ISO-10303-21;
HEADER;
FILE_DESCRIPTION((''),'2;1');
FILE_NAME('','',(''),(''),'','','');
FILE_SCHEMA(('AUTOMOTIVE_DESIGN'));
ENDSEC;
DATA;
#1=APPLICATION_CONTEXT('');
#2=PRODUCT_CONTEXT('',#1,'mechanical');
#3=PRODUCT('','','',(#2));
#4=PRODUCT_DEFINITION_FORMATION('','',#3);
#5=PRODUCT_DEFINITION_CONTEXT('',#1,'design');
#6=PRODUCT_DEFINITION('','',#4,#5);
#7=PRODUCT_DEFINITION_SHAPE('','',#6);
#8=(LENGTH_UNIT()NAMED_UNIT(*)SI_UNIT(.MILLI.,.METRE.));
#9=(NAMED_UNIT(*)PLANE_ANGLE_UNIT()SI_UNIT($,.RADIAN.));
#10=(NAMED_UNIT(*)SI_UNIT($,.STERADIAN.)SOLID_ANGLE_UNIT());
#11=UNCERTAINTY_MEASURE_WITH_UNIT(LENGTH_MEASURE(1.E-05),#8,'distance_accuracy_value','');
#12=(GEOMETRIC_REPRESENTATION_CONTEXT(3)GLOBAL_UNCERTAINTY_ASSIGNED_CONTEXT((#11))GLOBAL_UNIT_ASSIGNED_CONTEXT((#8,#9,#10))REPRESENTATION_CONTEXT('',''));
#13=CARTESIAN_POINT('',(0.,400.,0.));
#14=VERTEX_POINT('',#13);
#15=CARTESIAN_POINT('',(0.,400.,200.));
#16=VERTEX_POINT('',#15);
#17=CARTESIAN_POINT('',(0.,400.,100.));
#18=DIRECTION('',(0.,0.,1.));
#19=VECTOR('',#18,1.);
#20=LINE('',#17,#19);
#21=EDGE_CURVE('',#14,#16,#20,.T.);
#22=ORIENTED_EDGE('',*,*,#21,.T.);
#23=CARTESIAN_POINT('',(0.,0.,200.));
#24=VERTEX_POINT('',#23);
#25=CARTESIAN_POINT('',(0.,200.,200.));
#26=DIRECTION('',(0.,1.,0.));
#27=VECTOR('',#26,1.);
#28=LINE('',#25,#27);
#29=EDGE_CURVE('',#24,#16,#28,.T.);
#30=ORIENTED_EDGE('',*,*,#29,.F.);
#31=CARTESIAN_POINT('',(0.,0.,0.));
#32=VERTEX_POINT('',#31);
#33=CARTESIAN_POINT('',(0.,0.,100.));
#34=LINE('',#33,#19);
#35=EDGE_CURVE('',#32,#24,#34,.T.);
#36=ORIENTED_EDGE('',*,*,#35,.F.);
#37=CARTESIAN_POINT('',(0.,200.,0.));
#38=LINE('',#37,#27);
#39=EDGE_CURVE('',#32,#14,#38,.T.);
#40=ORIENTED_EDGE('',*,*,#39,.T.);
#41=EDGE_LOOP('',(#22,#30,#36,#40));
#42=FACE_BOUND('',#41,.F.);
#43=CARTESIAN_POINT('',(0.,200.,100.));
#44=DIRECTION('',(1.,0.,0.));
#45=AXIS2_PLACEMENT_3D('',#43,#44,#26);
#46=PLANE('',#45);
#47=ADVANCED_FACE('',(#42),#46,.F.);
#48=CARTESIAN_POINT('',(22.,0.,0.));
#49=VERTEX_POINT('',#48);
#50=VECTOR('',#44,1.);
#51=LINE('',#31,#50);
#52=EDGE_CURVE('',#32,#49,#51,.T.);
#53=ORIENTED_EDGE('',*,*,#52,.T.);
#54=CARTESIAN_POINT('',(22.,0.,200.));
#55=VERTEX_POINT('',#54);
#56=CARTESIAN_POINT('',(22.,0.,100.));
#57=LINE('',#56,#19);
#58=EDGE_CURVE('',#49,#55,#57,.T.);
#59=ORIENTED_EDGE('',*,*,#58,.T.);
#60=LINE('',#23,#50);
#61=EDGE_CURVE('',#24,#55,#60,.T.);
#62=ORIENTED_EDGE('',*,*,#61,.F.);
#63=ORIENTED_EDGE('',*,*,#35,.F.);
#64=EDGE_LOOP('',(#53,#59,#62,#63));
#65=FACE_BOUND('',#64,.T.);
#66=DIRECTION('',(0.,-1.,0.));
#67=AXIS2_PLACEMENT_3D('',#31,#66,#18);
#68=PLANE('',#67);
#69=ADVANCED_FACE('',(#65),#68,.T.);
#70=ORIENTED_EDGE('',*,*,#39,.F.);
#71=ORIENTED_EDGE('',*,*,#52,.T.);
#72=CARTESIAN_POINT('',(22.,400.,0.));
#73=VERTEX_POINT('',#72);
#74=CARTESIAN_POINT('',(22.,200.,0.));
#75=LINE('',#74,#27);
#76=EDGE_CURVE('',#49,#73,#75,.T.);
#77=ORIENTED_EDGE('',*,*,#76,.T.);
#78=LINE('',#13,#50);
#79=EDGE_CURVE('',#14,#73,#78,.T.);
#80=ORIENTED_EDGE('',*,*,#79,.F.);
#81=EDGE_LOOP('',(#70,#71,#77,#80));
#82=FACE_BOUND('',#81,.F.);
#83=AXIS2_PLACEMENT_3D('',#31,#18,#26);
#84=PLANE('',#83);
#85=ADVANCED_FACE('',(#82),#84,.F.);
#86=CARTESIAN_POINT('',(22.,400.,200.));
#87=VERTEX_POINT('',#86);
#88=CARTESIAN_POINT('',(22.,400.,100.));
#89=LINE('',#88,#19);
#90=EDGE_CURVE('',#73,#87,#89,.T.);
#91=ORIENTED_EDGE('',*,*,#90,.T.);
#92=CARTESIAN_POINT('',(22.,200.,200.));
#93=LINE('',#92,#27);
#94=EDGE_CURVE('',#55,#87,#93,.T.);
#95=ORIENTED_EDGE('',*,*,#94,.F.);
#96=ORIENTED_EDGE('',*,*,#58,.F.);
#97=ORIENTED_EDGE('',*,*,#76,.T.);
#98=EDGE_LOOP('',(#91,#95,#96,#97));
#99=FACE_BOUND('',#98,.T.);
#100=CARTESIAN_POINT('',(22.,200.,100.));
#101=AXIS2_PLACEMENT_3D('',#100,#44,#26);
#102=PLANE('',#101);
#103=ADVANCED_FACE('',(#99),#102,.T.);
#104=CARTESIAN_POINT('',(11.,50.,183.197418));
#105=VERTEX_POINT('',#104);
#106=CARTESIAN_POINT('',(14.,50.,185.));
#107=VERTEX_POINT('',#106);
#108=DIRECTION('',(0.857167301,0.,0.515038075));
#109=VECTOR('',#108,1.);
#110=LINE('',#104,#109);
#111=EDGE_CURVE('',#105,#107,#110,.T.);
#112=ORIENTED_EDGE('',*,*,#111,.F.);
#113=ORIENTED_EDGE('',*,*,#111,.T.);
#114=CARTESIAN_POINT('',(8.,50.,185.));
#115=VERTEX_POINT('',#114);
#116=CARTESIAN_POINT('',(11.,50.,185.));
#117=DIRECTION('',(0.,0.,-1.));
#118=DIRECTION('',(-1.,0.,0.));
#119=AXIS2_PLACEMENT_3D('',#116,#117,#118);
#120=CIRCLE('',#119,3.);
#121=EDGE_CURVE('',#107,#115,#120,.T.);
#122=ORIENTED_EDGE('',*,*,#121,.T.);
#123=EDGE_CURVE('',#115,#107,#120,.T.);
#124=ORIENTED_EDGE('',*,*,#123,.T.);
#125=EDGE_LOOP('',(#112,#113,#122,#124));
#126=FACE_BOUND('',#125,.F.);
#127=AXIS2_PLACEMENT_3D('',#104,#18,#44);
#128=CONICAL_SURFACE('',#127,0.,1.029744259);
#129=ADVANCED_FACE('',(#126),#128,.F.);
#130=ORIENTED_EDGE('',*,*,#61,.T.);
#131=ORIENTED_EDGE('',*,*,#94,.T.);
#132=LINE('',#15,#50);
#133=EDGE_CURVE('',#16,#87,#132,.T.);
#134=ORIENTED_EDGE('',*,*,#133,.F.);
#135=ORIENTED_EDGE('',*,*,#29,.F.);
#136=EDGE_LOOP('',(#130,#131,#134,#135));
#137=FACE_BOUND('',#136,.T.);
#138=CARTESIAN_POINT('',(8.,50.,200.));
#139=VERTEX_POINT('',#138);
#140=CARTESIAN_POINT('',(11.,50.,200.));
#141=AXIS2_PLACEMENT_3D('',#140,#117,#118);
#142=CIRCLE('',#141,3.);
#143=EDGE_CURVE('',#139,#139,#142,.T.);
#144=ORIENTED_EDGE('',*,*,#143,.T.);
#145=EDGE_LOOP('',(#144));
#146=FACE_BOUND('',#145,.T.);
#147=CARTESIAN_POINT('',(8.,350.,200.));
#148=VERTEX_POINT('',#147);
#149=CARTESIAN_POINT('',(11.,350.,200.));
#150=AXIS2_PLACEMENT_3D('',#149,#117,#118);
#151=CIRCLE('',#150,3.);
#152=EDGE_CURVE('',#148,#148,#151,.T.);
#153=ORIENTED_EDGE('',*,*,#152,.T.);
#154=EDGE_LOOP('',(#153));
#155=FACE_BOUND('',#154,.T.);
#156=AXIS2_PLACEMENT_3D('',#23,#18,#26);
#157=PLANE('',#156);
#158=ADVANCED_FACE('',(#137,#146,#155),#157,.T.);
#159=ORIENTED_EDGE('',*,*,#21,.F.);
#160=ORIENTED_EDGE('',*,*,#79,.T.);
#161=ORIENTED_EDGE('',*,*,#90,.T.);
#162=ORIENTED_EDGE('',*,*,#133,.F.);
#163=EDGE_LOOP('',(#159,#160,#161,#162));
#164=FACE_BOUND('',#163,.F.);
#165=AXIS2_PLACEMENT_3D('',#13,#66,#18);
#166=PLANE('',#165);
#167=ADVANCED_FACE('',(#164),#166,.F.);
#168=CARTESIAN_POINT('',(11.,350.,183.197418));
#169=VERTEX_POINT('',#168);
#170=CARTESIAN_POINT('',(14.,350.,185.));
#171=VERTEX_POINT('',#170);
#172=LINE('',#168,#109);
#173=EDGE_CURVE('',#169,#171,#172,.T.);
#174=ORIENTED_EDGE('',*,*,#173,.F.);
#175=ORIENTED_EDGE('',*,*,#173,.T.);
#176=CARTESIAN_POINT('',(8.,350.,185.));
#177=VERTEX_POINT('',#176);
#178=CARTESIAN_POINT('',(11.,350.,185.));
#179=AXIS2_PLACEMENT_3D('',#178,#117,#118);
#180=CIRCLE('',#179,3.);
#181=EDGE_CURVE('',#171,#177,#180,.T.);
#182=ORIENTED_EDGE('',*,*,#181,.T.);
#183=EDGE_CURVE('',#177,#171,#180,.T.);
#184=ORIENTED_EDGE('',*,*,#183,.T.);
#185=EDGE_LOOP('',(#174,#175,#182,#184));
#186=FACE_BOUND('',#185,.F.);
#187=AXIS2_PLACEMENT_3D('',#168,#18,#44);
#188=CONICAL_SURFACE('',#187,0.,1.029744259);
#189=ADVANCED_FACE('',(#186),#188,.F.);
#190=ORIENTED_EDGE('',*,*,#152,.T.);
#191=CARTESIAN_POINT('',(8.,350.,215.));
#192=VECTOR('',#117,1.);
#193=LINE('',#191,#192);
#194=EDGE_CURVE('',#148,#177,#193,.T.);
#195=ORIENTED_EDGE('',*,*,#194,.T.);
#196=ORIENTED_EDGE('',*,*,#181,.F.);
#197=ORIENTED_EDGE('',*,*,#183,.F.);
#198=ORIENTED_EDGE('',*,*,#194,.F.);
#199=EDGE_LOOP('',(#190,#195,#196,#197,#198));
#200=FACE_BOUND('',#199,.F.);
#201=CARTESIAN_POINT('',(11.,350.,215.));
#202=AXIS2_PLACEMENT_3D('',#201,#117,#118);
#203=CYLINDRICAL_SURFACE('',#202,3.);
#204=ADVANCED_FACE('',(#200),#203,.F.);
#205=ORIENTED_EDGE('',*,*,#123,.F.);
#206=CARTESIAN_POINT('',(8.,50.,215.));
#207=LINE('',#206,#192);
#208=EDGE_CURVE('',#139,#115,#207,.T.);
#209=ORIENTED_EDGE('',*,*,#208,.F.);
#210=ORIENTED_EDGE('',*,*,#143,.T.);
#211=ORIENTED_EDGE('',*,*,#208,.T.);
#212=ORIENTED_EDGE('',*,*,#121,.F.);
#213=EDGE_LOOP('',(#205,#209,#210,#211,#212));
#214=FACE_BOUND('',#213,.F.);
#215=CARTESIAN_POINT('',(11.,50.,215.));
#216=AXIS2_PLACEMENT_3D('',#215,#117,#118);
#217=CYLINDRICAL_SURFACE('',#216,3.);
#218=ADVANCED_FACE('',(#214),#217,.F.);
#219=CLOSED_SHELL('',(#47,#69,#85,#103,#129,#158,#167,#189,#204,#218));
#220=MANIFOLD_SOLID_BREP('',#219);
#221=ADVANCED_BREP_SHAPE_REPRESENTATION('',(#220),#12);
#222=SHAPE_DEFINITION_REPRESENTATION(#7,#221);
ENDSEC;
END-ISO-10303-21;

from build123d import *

# Parameters (mm, degrees)
F0_W     = 400
F0_H     = 200
F1_DEPTH = 22
F3_D     = 6
F3_DEPTH = 15
F3_TIP   = 1.8025818571


with BuildPart() as f1:
    # F0 (on Right) → F1 (new body)
    with BuildSketch(Plane.YZ):
        with Locations((200, 100)):
            Rectangle(F0_W, F0_H)
    extrude(amount=F1_DEPTH)

    # F3
    with Locations(Plane.XY.offset(200)):
        with Locations((11, 350), (11, 50)):
            Hole(F3_D / 2, depth=F3_DEPTH)
            with Locations((0, 0, -(F3_DEPTH + F3_TIP / 2))):  # 118° drill point
                Cone(0, F3_D / 2, F3_TIP, mode=Mode.SUBTRACT)


solid = f1.part
